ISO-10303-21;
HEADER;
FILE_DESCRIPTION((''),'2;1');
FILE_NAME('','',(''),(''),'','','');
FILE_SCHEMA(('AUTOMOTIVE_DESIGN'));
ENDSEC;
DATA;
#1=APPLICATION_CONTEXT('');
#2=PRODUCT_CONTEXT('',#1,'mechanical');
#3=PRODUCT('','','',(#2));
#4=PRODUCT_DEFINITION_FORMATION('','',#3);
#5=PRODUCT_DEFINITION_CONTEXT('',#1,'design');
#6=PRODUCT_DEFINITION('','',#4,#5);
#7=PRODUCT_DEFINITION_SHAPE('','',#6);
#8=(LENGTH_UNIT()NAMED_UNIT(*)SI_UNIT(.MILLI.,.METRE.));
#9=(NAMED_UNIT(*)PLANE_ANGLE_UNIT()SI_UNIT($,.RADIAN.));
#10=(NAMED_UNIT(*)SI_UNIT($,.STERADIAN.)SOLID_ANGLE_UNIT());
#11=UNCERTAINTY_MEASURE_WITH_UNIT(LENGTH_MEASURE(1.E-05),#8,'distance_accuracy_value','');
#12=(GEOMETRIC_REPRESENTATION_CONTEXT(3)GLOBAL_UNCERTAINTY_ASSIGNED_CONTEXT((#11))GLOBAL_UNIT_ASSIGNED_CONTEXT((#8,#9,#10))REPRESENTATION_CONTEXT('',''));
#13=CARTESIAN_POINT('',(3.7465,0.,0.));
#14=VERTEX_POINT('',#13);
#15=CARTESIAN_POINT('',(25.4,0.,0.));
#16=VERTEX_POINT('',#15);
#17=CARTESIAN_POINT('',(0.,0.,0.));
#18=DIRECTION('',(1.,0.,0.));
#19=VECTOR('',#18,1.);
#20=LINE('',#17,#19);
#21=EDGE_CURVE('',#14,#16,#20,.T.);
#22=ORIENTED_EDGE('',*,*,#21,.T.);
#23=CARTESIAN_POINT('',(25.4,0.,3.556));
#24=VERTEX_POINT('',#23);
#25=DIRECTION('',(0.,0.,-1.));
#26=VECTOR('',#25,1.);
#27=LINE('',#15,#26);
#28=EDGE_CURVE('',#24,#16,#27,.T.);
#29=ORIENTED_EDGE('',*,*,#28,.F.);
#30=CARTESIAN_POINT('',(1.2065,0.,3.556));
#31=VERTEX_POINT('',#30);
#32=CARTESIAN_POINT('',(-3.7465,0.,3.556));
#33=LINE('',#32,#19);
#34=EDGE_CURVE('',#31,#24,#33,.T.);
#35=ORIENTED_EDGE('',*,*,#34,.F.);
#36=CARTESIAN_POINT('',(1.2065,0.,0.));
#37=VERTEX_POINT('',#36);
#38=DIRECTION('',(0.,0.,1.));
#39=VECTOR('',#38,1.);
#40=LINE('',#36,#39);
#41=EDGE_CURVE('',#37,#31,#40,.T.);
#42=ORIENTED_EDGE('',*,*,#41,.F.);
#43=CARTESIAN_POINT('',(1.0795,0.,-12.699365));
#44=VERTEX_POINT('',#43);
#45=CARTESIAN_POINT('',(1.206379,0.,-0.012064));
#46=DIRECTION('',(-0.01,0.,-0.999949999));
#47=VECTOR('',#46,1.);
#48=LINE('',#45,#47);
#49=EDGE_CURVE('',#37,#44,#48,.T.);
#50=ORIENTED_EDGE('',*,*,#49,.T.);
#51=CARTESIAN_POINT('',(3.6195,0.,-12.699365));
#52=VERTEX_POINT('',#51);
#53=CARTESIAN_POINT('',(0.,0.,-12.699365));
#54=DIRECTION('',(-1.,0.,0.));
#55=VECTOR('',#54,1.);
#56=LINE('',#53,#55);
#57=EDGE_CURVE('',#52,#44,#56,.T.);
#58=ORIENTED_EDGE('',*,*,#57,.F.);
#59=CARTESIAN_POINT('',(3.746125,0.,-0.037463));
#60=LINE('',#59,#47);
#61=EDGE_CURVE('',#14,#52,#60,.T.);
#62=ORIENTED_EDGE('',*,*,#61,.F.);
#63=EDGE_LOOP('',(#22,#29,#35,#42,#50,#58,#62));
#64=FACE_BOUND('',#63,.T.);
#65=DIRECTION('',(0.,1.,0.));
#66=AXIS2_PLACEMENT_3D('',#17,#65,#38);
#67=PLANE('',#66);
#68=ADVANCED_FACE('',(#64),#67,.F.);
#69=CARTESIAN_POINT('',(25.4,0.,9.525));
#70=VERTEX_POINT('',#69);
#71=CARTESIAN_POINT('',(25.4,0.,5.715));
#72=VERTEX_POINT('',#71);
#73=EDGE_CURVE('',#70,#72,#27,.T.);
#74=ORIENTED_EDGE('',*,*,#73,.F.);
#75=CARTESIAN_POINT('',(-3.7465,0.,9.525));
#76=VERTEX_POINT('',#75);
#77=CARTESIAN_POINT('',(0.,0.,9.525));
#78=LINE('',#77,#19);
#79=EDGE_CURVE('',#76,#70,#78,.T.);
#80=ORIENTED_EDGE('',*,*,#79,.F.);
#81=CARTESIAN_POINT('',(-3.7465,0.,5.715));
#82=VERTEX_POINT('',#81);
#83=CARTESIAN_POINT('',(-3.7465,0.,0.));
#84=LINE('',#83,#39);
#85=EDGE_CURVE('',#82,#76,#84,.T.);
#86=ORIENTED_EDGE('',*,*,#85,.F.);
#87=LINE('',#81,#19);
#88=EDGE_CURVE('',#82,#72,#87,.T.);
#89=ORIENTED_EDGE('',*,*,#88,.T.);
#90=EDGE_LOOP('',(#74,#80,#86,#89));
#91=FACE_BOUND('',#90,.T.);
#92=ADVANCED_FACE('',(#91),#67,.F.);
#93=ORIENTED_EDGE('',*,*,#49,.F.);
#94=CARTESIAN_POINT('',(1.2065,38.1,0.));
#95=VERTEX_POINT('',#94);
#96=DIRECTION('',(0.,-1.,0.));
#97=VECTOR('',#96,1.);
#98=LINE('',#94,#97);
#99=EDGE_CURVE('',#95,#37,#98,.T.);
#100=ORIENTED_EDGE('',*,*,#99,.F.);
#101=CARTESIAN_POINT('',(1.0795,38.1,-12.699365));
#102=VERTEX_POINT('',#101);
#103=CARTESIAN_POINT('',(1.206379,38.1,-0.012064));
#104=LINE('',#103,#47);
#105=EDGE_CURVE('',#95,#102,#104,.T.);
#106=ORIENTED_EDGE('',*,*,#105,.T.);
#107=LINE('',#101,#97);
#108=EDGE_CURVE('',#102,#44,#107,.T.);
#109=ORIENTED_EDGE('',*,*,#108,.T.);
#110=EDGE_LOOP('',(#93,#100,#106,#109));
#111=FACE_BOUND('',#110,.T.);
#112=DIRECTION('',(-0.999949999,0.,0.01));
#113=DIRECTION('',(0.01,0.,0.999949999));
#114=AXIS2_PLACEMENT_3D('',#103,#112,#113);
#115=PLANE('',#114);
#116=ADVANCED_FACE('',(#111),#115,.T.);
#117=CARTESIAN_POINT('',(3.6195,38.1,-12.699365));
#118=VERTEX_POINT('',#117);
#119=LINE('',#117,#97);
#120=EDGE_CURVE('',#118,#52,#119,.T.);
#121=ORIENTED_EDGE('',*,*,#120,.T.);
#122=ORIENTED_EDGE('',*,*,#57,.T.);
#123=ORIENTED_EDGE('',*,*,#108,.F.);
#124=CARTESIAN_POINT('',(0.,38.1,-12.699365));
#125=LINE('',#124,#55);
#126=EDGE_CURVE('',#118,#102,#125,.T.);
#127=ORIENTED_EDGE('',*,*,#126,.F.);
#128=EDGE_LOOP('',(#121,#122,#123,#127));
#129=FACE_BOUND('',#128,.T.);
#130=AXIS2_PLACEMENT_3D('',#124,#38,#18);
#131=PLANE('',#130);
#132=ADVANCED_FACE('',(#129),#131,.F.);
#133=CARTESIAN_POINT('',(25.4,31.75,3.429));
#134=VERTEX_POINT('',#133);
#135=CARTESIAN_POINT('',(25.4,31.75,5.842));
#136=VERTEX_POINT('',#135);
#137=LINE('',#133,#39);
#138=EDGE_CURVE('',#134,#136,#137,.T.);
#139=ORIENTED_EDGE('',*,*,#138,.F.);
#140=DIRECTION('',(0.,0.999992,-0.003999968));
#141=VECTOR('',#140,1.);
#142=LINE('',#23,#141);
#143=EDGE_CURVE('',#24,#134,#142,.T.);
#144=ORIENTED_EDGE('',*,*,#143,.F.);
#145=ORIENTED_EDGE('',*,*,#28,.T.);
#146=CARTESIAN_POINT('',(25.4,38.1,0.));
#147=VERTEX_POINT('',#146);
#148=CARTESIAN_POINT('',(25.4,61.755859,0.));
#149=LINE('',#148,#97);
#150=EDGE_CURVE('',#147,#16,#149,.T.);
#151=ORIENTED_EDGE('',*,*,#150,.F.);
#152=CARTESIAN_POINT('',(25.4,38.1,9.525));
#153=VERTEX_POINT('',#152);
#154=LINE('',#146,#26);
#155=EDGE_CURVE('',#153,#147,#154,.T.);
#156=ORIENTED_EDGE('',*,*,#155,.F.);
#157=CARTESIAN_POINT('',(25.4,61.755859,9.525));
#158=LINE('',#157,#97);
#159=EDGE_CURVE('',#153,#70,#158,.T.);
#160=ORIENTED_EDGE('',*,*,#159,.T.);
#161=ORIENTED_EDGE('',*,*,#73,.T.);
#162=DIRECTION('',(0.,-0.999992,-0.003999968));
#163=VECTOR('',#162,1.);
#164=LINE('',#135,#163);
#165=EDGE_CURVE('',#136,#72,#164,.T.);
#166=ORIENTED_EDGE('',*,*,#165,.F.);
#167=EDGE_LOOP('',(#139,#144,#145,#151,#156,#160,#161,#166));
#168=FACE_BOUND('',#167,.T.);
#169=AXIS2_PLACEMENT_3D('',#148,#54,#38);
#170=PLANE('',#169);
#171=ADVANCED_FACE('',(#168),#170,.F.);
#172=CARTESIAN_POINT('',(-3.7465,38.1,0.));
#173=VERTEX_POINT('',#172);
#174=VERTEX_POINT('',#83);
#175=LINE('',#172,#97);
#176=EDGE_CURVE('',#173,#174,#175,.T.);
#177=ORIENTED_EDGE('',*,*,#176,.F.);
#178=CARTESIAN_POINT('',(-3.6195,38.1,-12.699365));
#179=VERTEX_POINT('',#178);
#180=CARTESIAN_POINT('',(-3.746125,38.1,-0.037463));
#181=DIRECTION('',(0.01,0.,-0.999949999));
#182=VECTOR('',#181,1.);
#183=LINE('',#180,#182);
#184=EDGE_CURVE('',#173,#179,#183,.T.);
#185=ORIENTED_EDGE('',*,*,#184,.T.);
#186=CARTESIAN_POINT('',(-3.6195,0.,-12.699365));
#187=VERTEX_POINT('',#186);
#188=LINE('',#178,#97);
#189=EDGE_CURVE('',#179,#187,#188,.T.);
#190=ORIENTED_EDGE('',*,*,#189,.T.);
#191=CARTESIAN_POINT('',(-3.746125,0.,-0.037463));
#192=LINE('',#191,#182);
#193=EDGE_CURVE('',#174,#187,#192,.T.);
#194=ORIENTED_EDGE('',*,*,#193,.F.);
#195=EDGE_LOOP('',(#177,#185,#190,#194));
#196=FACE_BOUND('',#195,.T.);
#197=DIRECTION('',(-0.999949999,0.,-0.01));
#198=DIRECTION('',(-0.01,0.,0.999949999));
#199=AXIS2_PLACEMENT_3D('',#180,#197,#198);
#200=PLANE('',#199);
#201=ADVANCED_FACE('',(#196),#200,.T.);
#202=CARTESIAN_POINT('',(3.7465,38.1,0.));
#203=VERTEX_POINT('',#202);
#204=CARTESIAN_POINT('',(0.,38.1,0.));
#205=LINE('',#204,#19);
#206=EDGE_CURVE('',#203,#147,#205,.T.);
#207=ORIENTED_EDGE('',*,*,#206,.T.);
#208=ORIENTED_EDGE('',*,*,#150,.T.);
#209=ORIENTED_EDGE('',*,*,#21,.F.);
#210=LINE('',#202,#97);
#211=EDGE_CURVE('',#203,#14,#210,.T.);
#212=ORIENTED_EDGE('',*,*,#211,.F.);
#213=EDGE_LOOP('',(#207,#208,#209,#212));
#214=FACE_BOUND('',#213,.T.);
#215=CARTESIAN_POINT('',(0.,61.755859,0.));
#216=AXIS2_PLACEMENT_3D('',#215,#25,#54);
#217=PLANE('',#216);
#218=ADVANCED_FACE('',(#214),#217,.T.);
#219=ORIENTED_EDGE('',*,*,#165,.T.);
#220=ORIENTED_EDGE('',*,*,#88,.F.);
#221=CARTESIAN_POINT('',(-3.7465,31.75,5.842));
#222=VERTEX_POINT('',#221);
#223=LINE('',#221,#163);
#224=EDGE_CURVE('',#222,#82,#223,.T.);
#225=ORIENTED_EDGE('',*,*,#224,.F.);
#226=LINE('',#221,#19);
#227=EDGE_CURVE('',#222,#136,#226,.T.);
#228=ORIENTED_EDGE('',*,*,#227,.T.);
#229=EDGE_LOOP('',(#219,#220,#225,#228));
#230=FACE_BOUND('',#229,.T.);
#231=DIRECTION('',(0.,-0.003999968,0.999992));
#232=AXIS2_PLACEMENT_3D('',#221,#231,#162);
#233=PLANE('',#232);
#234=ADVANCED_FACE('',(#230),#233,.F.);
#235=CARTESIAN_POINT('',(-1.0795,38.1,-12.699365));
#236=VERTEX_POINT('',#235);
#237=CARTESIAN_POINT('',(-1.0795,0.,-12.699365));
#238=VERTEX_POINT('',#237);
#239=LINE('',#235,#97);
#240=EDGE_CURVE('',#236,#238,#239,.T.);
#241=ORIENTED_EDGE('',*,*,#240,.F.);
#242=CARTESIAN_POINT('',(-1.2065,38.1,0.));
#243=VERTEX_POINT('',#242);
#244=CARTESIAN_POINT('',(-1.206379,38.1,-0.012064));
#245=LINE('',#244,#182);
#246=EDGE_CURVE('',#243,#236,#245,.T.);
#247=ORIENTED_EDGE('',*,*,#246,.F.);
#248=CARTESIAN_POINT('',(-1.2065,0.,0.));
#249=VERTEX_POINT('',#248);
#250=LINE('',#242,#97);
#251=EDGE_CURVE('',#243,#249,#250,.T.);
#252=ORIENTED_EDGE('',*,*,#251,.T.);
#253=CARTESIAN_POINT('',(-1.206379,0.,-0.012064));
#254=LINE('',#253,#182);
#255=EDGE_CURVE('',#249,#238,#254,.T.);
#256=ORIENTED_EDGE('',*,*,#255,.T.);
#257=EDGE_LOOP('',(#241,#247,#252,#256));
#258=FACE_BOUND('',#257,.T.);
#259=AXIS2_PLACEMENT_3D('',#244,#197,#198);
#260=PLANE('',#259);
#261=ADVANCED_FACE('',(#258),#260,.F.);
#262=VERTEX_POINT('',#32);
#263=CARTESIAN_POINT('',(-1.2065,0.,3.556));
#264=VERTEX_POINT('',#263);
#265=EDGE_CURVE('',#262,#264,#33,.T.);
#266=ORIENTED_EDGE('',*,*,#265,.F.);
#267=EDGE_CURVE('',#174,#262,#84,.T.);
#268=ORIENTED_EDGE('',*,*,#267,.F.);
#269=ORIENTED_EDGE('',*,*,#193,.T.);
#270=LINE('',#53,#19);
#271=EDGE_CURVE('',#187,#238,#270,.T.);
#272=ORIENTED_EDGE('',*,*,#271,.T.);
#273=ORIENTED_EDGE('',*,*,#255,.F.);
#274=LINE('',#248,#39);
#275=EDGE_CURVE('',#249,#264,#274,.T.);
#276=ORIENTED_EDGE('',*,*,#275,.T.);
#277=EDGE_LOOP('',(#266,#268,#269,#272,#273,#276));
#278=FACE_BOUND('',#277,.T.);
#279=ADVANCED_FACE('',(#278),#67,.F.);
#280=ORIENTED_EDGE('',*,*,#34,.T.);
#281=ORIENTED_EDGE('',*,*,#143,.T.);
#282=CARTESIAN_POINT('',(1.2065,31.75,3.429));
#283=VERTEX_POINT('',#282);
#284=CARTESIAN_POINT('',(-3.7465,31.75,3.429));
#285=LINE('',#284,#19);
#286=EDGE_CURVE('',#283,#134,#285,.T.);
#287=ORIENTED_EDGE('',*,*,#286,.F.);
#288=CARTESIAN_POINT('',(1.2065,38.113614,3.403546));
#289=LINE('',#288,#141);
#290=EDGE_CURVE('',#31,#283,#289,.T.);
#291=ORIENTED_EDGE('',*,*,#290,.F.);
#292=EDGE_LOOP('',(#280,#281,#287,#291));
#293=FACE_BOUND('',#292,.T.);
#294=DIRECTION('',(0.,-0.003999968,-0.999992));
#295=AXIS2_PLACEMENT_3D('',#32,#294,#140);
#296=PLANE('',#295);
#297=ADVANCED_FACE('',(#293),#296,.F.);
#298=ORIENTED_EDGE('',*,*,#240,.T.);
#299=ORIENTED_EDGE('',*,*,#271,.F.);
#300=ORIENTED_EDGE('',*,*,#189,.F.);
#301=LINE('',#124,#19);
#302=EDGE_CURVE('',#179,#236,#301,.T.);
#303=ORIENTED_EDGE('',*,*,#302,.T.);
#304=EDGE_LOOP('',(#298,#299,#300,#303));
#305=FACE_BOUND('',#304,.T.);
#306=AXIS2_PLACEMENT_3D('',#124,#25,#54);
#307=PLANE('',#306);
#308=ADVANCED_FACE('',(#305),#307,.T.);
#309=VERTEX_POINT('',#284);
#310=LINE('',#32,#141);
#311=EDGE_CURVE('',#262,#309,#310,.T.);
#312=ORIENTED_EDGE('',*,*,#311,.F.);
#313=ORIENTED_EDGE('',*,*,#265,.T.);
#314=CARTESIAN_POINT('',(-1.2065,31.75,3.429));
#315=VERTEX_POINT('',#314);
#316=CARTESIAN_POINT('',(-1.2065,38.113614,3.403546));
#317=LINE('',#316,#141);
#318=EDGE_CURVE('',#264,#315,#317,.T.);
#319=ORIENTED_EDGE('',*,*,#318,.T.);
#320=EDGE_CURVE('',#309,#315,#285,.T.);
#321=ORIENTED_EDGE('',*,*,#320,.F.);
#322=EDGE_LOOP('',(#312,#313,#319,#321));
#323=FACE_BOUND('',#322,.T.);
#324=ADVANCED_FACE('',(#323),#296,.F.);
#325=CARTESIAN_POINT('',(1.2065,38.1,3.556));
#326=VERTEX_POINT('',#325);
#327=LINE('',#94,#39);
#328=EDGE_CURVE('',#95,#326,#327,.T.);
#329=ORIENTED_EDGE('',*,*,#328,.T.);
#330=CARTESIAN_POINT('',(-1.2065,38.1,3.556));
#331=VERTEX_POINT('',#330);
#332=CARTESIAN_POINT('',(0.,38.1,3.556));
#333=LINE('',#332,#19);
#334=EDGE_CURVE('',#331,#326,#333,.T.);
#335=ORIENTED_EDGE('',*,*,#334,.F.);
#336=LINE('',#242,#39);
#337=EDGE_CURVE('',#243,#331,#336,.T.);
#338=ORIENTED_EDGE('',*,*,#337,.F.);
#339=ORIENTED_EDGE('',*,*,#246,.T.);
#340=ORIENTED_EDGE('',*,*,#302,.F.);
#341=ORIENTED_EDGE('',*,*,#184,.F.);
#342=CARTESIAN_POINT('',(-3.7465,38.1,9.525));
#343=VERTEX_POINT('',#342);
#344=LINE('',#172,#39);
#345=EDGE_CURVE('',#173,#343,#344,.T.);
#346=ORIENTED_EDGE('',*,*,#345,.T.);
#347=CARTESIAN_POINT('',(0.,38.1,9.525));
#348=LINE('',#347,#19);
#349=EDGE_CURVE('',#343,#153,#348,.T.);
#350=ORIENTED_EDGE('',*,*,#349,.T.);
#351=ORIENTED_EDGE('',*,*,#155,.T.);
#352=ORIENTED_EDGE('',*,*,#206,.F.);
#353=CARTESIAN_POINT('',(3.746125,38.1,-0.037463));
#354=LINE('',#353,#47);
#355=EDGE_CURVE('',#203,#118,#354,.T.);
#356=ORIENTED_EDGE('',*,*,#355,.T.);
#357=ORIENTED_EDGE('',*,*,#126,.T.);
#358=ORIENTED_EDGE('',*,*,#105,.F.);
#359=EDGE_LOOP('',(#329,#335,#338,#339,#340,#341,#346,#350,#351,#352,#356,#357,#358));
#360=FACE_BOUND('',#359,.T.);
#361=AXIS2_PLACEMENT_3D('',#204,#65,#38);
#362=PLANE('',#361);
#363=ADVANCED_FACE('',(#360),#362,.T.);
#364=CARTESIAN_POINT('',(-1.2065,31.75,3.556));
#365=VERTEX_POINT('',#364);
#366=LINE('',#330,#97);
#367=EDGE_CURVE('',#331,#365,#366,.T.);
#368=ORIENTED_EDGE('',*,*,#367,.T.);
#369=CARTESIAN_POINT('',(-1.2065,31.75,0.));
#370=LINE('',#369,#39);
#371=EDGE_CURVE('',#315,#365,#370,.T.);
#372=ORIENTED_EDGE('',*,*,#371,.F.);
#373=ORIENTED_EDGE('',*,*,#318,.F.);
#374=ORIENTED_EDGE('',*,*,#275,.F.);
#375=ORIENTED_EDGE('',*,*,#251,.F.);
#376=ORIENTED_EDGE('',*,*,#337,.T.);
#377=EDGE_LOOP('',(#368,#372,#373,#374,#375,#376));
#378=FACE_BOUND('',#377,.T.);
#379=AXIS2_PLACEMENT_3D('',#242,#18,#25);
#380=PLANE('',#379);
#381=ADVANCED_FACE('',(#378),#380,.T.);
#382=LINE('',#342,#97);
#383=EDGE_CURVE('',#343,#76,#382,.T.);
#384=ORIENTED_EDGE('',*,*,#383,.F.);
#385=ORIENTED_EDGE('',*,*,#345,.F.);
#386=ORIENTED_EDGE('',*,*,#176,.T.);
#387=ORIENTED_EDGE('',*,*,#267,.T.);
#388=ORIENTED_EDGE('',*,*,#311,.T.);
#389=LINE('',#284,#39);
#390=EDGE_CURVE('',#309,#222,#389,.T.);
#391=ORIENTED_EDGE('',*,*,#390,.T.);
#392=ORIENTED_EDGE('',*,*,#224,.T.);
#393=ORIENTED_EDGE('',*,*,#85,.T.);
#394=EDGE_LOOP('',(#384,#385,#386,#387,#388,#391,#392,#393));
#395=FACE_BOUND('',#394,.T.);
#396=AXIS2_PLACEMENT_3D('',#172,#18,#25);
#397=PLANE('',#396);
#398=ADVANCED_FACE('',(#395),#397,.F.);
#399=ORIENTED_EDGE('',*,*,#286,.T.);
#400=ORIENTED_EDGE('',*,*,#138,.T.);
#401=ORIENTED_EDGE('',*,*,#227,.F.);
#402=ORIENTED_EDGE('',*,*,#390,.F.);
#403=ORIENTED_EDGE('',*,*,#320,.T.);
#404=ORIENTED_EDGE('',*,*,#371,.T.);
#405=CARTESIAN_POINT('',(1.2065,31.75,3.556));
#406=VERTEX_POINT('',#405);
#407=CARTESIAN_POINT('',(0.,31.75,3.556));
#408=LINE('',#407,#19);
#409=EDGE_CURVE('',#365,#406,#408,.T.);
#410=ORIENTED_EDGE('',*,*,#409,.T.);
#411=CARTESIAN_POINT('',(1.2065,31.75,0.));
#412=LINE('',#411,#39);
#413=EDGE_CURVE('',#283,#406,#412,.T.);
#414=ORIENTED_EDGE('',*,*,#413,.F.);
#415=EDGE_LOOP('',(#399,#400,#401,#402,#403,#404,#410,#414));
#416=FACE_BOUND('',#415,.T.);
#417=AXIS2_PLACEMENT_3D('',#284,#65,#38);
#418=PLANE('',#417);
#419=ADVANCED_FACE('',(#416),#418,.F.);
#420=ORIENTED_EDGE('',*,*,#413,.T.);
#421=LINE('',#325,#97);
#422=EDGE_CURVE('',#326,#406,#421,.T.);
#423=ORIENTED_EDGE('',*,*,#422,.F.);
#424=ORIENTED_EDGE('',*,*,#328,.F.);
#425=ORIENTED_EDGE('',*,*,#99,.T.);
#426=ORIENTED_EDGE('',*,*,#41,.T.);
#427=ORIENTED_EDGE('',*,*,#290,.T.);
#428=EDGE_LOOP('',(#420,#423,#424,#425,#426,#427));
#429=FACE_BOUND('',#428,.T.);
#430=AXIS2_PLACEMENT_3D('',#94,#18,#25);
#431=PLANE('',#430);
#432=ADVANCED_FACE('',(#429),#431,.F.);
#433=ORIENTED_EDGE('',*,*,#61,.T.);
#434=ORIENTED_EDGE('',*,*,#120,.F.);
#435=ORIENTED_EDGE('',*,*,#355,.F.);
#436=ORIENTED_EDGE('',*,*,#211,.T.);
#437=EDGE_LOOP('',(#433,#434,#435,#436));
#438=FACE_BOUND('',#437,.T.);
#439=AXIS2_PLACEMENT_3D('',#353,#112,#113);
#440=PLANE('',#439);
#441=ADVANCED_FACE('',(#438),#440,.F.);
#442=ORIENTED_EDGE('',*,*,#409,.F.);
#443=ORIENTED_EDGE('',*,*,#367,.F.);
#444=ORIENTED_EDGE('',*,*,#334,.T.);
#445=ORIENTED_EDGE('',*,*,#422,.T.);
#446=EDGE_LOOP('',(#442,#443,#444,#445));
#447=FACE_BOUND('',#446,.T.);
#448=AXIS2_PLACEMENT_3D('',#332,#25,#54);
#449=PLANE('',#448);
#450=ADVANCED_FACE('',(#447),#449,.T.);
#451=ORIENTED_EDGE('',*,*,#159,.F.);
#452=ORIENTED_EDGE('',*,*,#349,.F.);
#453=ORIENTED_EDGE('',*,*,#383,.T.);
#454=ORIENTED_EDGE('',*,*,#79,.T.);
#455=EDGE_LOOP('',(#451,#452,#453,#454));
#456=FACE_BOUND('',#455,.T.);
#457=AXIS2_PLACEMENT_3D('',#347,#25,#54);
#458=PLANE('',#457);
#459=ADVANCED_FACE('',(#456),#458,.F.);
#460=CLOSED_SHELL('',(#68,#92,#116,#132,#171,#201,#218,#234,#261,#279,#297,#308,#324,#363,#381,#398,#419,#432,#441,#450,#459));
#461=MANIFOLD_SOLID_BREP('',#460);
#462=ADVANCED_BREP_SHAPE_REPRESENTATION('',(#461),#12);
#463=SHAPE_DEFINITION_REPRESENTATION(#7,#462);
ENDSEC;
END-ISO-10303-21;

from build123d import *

# Parameters (mm, degrees)
BOSS_EXTRUDE1_DEPTH     = 38.1
SKETCH2_3_W             = 12.7
SKETCH2_3_H             = 9.525
SKETCH2_3_W_2           = 8.9535
ARM_RIGHT_DEPTH         = 38.1
CUT_EXTRUDE1_DEPTH      = 48.518879101
CUT_EXTRUDE1_DEPTH_BACK = 48.518879101


with BuildPart() as part:
    # Sketch2 → Boss-Extrude1 (new body)
    with BuildSketch(Plane(origin=(0, 0, 0), x_dir=(1, 0, 0), z_dir=(0, 1, 0))):
        Polygon((-3.6195, 12.699364984), (-3.7465, 0), (-3.7465, -9.525), (3.7465, -9.525), (3.7465, 0), (3.6195, 12.699364984), (1.0795, 12.699364984), (1.2065, 0), (1.2065, -3.556), (-1.2065, -3.556), (-1.2065, 0), (-1.0795, 12.699364984), align=None)
    extrude(amount=BOSS_EXTRUDE1_DEPTH)

    # Sketch2<3> → Arm Right (add)
    with BuildSketch(Plane(origin=(0, 0, 0), x_dir=(1, 0, 0), z_dir=(0, 1, 0))):
        with Locations((19.05, -4.7625)):
            Rectangle(SKETCH2_3_W, SKETCH2_3_H)
        with Locations((8.22325, -4.7625)):
            Rectangle(SKETCH2_3_W_2, SKETCH2_3_H)
    extrude(amount=ARM_RIGHT_DEPTH)

    # Sketch3 → Cut-Extrude1 (cut, two sides: drawn at the far end of the back side and taken through both)
    with BuildSketch(Plane(origin=(0, 0, 0), x_dir=(0, 0, -1), z_dir=(1, 0, 0)).offset(-CUT_EXTRUDE1_DEPTH_BACK)):
        Polygon((-5.715, 0), (-3.556, 0), (-3.429, 31.75), (-5.842, 31.75), align=None)
    extrude(amount=CUT_EXTRUDE1_DEPTH + CUT_EXTRUDE1_DEPTH_BACK, mode=Mode.SUBTRACT)


solid = part.part
